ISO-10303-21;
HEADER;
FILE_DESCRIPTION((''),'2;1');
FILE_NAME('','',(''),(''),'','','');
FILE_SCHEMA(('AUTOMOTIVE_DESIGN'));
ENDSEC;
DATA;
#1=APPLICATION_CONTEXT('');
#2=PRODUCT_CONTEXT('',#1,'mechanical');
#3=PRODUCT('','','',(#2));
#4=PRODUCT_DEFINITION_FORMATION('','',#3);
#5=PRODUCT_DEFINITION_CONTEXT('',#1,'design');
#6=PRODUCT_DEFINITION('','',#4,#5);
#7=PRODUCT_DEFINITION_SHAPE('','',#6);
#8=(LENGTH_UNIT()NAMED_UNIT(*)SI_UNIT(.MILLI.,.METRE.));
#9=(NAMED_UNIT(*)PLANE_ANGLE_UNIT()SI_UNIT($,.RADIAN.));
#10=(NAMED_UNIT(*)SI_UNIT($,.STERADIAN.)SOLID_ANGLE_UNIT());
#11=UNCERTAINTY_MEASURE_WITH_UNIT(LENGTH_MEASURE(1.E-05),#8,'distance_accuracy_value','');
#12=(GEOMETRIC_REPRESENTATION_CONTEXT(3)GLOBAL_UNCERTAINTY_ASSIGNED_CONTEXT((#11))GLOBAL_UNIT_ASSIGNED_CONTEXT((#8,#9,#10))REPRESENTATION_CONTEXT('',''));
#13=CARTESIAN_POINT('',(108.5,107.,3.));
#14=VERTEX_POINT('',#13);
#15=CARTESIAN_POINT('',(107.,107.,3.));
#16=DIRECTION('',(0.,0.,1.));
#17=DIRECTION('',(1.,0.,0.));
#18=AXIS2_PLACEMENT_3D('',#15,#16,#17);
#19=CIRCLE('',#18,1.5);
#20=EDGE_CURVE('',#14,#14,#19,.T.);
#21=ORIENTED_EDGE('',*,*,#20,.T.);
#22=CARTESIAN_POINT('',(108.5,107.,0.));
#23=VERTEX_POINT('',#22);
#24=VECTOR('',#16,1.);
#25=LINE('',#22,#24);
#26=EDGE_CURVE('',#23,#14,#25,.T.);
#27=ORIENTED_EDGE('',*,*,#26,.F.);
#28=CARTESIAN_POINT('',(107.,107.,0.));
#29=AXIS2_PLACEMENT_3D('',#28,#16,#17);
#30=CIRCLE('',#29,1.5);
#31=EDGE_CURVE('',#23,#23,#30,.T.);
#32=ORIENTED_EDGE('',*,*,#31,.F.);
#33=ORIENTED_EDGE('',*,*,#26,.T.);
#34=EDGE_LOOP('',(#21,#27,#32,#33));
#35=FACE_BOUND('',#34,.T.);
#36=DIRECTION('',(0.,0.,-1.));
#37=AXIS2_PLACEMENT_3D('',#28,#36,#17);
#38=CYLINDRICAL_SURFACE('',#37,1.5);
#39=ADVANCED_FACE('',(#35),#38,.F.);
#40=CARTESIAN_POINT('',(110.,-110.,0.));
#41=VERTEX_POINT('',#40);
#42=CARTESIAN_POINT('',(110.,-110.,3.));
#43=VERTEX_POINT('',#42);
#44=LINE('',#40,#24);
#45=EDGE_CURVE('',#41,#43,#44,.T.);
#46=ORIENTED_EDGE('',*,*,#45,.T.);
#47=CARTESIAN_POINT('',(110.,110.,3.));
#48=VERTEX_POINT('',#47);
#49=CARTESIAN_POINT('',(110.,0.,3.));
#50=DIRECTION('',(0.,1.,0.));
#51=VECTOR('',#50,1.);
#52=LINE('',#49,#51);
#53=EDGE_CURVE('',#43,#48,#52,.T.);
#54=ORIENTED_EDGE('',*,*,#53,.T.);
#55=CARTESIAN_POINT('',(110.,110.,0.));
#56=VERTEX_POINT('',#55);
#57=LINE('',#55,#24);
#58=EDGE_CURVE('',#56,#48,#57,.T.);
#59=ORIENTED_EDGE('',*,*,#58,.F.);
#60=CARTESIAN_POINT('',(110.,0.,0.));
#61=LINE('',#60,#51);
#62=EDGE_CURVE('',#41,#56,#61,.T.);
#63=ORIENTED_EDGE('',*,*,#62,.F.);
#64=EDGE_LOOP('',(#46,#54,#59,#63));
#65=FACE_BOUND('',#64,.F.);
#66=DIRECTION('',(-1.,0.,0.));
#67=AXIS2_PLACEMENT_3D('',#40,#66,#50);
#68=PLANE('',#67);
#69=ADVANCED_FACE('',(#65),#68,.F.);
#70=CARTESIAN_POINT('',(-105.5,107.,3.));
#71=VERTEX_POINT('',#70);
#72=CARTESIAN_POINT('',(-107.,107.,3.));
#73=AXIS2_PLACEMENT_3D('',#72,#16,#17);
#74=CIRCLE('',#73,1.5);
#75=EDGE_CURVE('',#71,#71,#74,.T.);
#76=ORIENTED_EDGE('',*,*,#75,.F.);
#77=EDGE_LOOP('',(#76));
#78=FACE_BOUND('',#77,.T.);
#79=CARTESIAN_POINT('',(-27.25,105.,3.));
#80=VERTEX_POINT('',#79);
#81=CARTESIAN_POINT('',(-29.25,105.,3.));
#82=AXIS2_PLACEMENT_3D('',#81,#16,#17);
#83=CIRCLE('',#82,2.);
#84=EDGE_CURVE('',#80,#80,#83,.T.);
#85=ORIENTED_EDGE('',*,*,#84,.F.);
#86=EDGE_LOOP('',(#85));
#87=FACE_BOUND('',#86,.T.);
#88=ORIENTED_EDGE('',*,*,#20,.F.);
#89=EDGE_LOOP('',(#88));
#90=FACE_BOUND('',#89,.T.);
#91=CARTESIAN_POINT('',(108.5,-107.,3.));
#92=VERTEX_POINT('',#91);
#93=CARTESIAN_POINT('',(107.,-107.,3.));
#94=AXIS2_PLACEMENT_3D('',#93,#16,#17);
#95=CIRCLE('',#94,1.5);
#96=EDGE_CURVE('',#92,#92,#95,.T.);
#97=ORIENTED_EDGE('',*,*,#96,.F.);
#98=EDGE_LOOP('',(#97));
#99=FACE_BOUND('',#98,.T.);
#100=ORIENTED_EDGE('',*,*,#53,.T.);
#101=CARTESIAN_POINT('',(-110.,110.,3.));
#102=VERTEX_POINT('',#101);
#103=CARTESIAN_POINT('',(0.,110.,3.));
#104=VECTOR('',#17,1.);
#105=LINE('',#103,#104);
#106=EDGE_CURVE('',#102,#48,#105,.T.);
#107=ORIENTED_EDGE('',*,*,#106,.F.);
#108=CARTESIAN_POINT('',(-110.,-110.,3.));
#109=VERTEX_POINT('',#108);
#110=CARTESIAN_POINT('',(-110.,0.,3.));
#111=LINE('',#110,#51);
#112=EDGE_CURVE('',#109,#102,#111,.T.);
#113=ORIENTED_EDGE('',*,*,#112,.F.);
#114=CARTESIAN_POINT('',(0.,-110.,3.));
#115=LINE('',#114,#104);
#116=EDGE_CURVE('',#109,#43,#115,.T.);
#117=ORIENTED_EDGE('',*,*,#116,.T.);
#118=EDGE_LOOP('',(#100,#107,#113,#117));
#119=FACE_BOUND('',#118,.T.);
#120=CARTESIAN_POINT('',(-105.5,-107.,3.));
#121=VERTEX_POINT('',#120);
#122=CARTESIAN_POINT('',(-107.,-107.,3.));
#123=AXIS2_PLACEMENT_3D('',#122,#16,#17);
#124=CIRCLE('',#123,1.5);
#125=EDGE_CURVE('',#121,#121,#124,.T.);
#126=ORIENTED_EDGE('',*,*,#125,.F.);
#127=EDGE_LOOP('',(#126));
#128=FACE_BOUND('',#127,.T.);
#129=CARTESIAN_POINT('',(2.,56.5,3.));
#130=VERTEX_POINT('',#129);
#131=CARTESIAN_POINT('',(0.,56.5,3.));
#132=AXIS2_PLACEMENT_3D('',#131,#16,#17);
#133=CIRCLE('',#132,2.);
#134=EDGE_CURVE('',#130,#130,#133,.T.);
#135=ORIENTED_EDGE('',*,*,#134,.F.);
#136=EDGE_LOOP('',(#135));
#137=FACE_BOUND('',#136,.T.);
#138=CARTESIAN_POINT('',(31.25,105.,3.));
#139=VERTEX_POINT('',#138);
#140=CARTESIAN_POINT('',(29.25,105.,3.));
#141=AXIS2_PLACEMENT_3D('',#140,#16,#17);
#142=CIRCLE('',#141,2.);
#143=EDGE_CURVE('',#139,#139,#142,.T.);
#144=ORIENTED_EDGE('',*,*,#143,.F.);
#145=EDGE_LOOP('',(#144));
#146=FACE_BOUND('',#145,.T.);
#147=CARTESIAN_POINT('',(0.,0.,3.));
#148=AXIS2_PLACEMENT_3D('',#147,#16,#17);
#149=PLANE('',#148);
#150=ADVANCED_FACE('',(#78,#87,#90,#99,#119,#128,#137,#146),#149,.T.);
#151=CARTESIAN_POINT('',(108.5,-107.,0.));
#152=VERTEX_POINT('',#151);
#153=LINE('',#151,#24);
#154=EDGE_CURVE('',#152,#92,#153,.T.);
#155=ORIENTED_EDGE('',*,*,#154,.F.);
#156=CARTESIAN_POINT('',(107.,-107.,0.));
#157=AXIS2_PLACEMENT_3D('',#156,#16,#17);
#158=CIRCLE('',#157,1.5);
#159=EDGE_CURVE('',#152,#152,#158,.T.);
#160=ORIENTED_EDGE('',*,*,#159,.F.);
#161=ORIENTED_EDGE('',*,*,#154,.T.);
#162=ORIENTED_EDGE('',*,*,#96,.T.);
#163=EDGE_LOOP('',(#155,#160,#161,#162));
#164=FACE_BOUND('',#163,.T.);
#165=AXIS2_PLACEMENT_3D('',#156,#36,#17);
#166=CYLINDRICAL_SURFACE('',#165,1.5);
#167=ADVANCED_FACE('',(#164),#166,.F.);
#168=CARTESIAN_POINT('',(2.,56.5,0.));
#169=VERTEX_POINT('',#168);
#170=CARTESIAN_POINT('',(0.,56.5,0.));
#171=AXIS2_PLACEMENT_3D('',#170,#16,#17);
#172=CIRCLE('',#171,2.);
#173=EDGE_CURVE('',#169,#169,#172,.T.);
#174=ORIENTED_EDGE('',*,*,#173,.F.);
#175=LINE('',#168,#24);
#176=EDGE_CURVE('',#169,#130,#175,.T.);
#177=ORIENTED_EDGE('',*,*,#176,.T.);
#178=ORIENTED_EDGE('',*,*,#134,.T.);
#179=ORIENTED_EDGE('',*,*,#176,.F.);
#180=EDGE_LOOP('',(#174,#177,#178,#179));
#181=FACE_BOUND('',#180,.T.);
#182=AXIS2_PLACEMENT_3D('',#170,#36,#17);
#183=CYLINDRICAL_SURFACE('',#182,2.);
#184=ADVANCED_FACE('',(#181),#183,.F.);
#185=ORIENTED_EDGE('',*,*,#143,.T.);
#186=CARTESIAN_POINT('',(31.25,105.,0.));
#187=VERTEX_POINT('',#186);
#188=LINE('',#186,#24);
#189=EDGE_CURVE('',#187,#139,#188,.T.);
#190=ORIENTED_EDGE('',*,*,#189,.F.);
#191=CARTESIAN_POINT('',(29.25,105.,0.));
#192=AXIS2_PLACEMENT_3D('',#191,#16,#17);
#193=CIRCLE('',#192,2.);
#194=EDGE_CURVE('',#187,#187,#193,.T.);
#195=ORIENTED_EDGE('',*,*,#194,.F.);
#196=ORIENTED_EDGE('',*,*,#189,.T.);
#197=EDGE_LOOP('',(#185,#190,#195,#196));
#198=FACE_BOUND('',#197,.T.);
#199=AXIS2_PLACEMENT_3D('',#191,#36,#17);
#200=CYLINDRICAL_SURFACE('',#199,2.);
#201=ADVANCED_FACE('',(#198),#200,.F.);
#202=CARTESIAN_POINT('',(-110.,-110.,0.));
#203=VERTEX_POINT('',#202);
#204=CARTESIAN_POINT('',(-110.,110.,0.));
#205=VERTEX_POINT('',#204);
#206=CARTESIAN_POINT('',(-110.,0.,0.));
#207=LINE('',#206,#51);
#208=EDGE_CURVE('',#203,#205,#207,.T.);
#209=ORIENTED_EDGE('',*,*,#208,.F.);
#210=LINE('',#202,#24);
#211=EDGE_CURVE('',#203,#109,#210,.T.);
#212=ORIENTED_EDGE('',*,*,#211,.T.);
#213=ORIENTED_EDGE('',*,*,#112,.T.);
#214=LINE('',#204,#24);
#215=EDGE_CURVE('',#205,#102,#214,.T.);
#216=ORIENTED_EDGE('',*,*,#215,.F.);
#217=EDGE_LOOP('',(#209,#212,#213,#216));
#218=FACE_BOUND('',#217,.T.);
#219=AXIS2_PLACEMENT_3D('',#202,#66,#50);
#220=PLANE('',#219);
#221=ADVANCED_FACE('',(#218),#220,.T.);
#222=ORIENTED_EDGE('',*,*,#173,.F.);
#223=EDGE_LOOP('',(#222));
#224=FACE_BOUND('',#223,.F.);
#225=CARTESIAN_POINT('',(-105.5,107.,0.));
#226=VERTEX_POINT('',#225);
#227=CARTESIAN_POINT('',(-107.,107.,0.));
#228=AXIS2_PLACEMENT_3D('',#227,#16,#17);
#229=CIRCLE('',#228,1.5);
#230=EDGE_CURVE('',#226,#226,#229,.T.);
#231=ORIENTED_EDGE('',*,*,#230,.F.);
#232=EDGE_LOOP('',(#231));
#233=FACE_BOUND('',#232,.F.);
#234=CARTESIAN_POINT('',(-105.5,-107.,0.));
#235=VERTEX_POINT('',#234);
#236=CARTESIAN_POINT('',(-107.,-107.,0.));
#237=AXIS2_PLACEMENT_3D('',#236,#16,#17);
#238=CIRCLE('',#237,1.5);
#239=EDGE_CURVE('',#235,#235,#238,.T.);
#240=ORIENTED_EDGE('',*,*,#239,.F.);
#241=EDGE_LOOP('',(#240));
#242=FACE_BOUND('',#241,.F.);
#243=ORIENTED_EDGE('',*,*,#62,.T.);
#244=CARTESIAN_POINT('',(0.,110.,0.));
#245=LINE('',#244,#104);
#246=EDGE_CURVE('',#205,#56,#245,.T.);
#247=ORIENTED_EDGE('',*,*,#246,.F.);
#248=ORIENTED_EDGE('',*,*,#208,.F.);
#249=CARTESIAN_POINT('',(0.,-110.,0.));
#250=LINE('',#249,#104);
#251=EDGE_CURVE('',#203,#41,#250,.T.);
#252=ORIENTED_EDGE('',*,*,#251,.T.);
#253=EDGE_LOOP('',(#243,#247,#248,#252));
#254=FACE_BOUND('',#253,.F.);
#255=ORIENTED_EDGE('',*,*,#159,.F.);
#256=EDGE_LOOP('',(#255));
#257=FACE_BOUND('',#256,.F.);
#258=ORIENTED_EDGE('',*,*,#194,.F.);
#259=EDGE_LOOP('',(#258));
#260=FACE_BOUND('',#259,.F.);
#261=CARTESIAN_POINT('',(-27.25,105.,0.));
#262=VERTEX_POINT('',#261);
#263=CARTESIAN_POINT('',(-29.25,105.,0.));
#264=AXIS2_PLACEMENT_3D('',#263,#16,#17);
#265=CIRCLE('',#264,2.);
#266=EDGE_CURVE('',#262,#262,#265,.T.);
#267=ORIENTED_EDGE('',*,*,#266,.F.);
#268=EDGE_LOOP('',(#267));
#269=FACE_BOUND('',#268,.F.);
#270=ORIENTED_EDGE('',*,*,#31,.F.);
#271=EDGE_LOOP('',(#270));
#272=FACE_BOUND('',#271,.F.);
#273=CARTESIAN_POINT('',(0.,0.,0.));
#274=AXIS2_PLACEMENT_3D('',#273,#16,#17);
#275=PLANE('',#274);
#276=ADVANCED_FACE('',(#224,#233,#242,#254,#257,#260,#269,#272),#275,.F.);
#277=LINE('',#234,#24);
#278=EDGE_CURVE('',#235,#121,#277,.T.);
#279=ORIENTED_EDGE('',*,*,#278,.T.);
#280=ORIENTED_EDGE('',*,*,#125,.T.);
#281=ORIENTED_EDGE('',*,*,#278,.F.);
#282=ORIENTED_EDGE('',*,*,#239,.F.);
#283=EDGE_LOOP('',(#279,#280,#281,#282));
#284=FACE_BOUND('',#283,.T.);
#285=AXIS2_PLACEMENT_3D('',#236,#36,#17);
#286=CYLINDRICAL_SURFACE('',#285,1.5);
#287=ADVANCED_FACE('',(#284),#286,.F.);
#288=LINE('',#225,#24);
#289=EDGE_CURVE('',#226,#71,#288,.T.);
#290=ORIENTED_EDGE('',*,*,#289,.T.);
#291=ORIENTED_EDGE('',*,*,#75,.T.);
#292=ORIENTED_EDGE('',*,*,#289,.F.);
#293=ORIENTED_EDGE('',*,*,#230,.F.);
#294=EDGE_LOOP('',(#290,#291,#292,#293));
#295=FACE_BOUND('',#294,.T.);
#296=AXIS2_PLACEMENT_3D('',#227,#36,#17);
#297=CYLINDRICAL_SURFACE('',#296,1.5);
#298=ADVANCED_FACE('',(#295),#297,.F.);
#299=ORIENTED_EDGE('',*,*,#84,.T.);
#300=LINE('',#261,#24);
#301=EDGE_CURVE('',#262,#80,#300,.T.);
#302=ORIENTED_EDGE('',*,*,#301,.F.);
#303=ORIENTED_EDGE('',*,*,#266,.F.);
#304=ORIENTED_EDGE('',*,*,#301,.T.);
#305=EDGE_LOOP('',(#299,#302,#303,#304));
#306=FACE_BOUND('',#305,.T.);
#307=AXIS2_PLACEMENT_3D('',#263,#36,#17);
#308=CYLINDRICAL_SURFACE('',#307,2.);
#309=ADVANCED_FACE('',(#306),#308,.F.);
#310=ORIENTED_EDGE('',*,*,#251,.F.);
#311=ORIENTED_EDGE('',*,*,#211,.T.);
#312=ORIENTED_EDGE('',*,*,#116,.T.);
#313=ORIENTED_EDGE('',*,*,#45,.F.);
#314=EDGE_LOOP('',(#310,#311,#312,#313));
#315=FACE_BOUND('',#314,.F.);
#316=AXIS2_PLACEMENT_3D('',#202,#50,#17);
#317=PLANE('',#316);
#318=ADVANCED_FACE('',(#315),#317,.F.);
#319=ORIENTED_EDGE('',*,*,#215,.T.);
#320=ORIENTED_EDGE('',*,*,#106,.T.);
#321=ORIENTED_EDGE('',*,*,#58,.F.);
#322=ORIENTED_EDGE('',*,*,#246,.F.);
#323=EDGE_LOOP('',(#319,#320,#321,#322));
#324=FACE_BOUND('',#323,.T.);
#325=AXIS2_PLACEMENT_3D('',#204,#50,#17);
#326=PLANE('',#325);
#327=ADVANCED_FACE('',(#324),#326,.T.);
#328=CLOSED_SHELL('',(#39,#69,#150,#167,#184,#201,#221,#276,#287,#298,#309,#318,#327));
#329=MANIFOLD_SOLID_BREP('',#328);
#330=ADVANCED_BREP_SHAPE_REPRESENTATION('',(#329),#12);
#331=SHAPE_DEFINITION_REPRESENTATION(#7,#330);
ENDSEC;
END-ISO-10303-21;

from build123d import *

# Parameters (mm, degrees)
SKETCH_W   = 220
SKETCH_H   = 220
SKETCH_R   = 1.5
SKETCH_R_2 = 2
PAD_DEPTH  = 3


with BuildPart() as part:
    # Sketch → Pad (new body)
    with BuildSketch(Plane.XY):
        Rectangle(SKETCH_W, SKETCH_H)
        with Locations((-107, 107)):
            Circle(SKETCH_R, mode=Mode.SUBTRACT)
        with Locations((107, 107)):
            Circle(SKETCH_R, mode=Mode.SUBTRACT)
        with Locations((107, -107)):
            Circle(SKETCH_R, mode=Mode.SUBTRACT)
        with Locations((-107, -107)):
            Circle(SKETCH_R, mode=Mode.SUBTRACT)
        with Locations((-29.25, 105)):
            Circle(SKETCH_R_2, mode=Mode.SUBTRACT)
        with Locations((29.25, 105)):
            Circle(SKETCH_R_2, mode=Mode.SUBTRACT)
        with Locations((0, 56.5)):
            Circle(SKETCH_R_2, mode=Mode.SUBTRACT)
    extrude(amount=PAD_DEPTH)


solid = part.part
